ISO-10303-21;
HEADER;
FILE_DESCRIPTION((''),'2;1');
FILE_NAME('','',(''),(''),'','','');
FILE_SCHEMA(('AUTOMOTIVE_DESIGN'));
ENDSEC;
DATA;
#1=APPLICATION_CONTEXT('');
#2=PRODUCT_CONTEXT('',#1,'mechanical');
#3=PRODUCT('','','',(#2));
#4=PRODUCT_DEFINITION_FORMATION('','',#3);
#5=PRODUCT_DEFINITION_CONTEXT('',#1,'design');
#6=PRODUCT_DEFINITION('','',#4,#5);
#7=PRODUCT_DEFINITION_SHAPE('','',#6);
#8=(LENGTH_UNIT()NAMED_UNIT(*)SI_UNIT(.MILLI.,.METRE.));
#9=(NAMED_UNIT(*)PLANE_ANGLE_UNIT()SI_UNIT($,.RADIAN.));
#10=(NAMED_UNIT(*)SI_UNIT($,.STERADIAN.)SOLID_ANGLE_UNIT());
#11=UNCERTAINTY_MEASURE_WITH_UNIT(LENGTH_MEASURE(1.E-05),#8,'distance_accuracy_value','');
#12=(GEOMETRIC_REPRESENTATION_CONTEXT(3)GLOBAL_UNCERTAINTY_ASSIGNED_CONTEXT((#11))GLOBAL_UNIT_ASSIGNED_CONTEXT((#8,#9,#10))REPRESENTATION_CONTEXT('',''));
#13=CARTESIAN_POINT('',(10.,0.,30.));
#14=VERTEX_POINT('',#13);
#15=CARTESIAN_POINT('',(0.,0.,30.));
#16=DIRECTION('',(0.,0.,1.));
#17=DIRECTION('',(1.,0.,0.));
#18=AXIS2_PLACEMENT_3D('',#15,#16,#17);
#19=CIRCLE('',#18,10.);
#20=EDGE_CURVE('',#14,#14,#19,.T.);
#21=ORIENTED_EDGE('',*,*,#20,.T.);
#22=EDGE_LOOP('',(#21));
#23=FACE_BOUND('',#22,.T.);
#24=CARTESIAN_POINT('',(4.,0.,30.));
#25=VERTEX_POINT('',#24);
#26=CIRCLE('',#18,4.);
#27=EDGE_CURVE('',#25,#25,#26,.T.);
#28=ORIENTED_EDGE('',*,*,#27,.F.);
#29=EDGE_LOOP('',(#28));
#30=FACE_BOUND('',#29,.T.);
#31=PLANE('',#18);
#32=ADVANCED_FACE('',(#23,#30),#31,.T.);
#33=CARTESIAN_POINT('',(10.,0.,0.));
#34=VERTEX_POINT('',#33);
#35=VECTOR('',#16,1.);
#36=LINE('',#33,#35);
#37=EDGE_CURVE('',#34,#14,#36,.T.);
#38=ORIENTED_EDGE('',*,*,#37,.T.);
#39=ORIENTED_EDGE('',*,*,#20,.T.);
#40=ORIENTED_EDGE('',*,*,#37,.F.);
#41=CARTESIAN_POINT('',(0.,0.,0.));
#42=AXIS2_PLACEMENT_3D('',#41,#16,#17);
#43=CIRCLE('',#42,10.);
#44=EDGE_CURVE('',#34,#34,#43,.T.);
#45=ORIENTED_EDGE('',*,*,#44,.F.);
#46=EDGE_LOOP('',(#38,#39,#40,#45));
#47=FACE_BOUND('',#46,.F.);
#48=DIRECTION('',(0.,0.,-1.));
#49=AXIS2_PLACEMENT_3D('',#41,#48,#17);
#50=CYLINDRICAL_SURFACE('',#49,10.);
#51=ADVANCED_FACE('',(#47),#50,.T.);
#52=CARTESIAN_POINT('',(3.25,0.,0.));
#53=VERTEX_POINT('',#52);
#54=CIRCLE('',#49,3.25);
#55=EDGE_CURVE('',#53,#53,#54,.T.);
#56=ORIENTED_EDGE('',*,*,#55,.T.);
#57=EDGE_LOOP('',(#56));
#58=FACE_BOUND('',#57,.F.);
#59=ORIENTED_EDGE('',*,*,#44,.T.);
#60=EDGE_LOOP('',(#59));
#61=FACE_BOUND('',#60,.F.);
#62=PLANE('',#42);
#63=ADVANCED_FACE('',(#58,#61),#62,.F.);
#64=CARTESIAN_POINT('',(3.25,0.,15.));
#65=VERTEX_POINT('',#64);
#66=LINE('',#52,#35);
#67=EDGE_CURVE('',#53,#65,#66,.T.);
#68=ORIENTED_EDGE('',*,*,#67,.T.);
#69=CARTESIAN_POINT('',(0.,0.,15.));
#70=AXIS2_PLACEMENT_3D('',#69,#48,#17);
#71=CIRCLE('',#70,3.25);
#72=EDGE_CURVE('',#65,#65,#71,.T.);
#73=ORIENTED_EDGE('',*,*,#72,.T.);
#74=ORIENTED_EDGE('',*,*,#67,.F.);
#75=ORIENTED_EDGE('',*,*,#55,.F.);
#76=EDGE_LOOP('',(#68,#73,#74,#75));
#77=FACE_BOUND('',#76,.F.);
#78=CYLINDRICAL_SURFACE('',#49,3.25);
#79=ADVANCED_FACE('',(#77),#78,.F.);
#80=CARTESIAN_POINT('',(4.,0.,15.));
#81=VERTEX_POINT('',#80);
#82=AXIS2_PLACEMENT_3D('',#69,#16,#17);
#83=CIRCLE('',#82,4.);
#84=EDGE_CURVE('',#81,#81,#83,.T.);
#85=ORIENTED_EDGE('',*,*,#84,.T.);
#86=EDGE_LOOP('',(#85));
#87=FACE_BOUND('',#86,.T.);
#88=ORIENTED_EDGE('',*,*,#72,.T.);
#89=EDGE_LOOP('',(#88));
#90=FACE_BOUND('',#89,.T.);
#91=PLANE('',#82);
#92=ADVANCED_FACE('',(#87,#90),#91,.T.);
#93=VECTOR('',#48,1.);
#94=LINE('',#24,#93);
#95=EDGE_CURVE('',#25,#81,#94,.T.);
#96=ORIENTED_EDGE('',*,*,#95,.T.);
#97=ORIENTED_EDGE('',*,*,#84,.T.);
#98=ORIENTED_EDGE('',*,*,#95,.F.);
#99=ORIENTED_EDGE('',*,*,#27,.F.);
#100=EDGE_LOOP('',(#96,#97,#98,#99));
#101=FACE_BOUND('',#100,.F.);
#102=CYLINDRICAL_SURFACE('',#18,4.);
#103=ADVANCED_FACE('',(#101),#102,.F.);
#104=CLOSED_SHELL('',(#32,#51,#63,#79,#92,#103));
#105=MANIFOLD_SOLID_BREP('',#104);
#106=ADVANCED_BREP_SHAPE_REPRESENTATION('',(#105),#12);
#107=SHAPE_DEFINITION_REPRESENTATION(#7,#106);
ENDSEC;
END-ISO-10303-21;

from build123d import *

# Parameters (mm, degrees)
SKETCH_R        = 10
PAD_DEPTH       = 30
SKETCH001_R     = 4
POCKET_DEPTH    = 15
SKETCH002_R     = 3.25
POCKET001_DEPTH = 15


with BuildPart() as part:
    # Sketch → Pad (new body)
    with BuildSketch(Plane.XY):
        Circle(SKETCH_R)
    extrude(amount=PAD_DEPTH)

    # Sketch001 (on Face3 of Pad) → Pocket (cut)
    with BuildSketch(Plane.XY.offset(30)):
        Circle(SKETCH001_R)
    extrude(amount=-POCKET_DEPTH, mode=Mode.SUBTRACT)

    # Sketch002 (on Face2 of Pocket) → Pocket001 (cut)
    with BuildSketch(Plane(origin=(0, 0, 0), x_dir=(1, 0, 0), z_dir=(0, 0, -1))):
        Circle(SKETCH002_R)
    extrude(amount=-POCKET001_DEPTH, mode=Mode.SUBTRACT)


solid = part.part
